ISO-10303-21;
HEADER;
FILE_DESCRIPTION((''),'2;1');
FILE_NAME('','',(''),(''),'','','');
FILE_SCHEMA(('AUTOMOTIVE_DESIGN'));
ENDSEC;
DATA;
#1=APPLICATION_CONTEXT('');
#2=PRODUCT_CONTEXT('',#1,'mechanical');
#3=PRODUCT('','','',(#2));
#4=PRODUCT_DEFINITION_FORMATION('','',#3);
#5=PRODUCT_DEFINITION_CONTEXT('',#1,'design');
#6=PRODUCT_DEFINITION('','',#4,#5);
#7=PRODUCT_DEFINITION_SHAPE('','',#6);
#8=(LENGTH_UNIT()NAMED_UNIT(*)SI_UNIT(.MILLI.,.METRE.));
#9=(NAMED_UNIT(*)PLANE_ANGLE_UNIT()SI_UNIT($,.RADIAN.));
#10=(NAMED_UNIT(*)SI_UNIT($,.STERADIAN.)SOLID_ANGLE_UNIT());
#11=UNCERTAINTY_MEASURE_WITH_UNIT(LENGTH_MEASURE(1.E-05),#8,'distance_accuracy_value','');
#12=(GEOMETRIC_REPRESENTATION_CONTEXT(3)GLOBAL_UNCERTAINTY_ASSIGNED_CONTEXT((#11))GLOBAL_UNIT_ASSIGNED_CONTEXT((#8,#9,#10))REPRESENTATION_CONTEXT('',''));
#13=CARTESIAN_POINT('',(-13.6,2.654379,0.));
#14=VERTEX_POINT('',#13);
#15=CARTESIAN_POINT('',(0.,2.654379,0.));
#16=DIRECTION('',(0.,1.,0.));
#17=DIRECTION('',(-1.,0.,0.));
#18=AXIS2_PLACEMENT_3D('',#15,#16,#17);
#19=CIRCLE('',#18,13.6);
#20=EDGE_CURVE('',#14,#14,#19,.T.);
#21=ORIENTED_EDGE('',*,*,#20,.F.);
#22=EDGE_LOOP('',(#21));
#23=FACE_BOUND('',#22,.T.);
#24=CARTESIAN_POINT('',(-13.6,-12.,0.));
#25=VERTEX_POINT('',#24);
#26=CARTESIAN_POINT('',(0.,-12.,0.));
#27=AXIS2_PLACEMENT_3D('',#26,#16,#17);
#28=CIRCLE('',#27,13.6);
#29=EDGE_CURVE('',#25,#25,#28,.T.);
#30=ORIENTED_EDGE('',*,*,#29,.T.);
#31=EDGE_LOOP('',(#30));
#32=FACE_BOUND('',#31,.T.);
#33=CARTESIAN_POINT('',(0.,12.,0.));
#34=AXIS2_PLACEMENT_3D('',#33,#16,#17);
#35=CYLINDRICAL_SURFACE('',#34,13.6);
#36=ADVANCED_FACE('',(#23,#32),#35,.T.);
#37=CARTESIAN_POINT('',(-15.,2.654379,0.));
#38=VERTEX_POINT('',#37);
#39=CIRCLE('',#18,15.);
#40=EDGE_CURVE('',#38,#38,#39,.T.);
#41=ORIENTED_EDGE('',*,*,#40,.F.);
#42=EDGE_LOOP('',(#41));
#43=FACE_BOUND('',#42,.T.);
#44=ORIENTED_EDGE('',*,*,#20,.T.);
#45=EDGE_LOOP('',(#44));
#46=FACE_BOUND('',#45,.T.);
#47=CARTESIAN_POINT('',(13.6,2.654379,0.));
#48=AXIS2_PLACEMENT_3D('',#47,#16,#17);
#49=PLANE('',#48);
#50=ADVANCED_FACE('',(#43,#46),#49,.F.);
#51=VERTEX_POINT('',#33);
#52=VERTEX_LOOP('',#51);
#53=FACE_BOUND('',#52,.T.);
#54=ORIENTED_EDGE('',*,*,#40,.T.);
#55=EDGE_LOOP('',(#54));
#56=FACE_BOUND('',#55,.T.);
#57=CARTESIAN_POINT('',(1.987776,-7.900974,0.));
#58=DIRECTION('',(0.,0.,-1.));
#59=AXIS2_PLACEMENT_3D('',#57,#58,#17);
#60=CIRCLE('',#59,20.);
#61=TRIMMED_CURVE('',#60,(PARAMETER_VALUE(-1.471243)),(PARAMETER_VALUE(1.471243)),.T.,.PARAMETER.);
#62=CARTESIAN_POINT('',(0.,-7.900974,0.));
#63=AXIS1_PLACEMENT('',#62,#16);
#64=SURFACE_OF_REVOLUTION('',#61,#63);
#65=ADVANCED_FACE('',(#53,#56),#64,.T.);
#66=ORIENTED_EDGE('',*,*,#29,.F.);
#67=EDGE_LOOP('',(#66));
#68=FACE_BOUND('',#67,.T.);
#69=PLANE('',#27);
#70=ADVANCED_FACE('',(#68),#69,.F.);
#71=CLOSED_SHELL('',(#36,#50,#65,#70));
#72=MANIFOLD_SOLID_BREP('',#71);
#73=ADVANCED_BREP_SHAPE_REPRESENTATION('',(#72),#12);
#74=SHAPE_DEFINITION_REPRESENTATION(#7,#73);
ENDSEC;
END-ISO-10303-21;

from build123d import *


with BuildPart() as part:
    # Sketch1 → Revolve1 (revolve)
    with BuildSketch(Plane.XY, mode=Mode.PRIVATE) as revolve1_sk:
        with BuildLine():
            Line((0, 12), (0, -12))
            Line((0, -12), (13.6, -12))
            Line((13.6, -12), (13.6, 2.654379363))
            Line((13.6, 2.654379363), (15, 2.654379363))
            ThreePointArc((15, 2.654379363), (8.588284241, 9.073918363), (0, 12))
        make_face()
    revolve(revolve1_sk.sketch.rotate(Axis((0, 12, 0), (0, -1, 0)), 180), axis=Axis((0, 12, 0), (0, -1, 0)))


solid = part.part
